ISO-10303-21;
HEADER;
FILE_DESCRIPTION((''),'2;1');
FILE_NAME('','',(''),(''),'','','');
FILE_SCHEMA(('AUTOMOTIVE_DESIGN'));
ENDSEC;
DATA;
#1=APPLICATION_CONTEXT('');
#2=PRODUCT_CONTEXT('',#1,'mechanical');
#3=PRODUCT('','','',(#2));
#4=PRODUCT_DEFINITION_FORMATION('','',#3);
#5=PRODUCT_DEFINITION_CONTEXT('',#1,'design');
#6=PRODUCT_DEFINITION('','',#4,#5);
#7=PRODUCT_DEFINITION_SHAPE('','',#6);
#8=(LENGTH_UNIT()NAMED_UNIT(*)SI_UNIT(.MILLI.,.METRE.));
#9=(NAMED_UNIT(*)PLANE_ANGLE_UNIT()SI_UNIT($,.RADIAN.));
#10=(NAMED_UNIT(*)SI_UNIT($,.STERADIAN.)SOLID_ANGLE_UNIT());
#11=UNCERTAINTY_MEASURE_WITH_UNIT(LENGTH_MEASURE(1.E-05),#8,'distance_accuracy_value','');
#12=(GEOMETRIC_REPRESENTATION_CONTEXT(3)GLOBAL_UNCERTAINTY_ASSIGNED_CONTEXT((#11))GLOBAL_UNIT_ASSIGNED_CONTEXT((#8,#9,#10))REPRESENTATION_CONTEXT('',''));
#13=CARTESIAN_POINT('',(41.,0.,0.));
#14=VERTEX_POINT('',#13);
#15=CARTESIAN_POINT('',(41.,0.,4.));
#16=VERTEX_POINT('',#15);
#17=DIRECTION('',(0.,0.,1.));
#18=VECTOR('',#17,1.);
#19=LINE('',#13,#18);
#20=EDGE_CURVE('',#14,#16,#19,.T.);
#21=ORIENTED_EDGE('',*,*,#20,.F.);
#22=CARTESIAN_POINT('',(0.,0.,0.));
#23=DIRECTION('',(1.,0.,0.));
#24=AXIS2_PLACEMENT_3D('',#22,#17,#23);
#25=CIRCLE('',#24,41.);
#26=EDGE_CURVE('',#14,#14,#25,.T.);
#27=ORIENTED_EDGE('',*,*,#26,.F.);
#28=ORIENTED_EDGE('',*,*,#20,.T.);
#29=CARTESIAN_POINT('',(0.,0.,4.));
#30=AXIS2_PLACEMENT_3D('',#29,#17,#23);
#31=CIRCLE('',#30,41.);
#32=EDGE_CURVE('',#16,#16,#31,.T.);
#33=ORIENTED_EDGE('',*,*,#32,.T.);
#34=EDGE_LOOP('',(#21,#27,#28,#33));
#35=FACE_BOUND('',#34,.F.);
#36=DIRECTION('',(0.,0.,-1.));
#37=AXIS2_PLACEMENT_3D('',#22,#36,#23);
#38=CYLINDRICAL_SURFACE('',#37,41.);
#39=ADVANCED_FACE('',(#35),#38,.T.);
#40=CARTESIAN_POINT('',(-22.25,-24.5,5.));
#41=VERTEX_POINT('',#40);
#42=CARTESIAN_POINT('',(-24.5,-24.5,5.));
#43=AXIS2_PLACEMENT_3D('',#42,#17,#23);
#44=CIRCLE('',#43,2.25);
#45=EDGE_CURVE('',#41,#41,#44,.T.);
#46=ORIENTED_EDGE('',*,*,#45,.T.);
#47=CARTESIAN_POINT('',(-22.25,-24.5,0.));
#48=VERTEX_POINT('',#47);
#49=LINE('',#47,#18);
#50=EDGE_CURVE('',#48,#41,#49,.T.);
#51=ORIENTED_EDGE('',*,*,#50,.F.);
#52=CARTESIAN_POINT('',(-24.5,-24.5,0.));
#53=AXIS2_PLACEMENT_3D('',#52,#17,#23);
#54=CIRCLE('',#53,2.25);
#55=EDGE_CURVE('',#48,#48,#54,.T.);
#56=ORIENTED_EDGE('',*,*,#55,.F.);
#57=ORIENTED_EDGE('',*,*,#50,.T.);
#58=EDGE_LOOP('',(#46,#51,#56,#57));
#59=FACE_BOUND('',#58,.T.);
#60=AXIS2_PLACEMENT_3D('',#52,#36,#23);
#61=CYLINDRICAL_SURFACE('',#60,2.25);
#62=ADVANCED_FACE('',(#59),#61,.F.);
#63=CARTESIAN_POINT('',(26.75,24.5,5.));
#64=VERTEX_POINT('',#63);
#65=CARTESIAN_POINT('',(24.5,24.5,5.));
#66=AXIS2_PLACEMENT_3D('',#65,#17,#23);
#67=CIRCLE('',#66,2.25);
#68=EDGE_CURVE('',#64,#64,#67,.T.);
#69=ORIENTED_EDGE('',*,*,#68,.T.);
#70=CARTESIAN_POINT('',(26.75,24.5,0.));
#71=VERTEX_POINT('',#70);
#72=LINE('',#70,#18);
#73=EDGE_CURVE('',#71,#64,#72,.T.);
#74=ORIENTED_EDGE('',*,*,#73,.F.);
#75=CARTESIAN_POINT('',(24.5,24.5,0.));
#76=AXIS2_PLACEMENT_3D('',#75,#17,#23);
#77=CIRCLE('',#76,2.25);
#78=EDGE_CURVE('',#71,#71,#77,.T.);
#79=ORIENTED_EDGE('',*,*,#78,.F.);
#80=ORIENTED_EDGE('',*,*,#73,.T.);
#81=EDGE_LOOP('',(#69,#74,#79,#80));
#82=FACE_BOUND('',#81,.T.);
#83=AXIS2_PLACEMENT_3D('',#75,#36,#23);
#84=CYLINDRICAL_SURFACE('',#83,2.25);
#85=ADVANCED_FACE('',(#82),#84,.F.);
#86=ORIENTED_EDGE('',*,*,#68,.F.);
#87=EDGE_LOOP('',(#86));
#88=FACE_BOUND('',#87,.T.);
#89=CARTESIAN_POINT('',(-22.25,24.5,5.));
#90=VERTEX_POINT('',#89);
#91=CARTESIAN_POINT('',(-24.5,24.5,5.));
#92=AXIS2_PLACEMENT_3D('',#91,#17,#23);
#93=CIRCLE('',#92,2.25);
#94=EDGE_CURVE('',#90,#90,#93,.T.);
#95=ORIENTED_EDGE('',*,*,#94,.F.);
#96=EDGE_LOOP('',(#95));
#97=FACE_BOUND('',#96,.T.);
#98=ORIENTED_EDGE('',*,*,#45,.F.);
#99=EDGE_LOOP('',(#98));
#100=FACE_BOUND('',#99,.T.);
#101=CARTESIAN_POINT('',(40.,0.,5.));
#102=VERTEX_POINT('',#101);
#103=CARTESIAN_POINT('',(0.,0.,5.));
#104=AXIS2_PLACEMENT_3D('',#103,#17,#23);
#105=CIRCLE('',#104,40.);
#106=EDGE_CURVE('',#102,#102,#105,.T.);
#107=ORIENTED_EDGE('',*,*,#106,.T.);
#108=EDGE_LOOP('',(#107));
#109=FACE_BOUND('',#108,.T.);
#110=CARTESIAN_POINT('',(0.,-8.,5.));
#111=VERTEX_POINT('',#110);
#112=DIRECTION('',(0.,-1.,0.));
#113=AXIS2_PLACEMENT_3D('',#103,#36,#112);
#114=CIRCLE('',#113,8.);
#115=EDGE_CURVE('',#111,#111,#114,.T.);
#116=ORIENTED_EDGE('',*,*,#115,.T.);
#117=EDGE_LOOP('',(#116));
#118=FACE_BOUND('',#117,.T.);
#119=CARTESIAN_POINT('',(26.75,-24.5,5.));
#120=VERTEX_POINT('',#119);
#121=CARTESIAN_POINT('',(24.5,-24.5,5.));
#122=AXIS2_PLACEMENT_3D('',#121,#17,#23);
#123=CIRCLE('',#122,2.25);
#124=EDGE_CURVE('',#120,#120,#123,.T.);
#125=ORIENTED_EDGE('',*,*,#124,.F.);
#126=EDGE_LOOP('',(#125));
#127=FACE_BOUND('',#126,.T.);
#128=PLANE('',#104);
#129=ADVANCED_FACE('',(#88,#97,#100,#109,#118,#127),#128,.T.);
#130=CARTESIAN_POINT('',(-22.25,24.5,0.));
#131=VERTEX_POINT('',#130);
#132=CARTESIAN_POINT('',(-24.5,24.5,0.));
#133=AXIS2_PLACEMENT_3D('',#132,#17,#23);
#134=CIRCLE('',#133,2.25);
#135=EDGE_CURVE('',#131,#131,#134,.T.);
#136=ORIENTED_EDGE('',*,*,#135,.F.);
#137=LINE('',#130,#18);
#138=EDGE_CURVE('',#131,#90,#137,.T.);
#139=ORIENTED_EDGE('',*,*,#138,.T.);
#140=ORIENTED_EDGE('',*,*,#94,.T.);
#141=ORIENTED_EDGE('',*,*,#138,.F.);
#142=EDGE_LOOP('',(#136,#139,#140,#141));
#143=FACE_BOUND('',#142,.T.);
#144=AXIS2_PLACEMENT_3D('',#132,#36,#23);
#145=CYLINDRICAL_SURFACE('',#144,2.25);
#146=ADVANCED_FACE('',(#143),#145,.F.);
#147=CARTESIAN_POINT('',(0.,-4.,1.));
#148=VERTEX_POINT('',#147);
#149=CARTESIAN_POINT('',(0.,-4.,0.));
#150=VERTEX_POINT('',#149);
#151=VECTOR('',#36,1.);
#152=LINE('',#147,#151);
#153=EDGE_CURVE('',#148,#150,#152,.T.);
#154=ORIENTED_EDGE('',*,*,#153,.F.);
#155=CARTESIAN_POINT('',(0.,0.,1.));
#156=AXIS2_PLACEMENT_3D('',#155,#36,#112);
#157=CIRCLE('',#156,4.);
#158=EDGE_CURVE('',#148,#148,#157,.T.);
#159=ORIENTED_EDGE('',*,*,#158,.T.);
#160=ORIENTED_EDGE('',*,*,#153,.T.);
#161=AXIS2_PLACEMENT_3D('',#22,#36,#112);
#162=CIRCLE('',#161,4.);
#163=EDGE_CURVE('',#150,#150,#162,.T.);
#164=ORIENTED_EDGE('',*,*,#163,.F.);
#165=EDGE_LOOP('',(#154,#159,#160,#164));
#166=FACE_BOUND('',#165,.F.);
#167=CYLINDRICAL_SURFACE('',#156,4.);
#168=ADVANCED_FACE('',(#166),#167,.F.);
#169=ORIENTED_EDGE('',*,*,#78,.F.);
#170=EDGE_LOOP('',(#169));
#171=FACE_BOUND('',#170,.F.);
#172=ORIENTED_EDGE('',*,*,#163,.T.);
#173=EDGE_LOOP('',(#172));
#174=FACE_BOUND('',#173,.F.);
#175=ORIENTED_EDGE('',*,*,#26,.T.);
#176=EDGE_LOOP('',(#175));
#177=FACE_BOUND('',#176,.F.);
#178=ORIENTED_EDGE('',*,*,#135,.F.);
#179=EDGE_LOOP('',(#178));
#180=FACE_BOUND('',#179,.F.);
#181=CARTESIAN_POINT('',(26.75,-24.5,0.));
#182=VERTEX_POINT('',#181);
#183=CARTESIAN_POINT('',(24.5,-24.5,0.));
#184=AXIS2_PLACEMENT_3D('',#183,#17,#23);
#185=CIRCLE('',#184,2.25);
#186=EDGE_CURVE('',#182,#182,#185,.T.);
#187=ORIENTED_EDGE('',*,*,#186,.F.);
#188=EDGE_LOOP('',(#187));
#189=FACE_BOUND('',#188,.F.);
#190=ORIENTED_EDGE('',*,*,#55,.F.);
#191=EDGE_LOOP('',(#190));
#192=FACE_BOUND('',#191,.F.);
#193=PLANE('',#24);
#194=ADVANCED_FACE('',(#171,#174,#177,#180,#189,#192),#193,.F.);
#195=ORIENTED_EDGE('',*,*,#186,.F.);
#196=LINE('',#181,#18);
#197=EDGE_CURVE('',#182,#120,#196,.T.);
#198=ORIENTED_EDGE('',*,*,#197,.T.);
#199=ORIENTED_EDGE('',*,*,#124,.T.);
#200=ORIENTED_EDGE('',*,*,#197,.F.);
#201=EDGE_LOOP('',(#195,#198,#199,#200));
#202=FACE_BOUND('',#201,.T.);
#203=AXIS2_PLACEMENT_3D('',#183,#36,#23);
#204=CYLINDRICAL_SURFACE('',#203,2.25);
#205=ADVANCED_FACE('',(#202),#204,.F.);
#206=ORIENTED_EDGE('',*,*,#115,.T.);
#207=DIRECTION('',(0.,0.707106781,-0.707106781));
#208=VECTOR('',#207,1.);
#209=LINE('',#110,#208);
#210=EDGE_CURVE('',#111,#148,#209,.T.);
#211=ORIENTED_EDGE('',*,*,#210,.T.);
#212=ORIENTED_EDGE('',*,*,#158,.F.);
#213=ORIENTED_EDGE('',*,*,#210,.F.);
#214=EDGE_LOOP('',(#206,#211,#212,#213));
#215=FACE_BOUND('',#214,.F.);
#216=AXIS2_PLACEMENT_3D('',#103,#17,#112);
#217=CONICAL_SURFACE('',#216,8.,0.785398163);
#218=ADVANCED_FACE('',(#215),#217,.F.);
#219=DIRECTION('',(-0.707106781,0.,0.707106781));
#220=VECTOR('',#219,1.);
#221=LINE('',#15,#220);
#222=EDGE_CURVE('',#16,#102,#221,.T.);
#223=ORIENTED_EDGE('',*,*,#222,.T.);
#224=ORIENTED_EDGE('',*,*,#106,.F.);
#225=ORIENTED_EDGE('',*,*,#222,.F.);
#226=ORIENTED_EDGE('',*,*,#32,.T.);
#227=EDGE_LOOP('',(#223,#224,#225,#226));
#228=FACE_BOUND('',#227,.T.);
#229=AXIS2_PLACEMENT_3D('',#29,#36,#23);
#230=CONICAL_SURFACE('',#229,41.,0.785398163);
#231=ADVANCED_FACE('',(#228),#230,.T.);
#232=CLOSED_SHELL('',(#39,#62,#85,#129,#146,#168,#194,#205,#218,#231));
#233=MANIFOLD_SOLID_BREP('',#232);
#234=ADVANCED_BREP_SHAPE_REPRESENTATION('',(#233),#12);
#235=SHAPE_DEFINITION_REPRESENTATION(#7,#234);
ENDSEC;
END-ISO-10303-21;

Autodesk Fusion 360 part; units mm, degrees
sketch "Skizze1" plane through (0, 0, 0) normal (0, 0, 1) x (1, 0, 0)
  circle A0 centre (0, 0) radius 41
  circle A1 centre (24.5, 24.5) radius 2.25
  circle A2 centre (24.5, -24.5) radius 2.25
  circle A3 centre (-24.5, -24.5) radius 2.25
  circle A4 centre (-24.5, 24.5) radius 2.25
  dimension "d1" = 82
  dimension "d4" = 49
  dimension "d5" = 49
  dimension "d6" = 4.5
  dimension "d7" = 4.5
  dimension "d8" = 4.5
  dimension "d9" = 4.5
extrude "Extrusion1" add sketch "Skizze1" along normal blind 5
chamfer "Fase1" distance 1 angle 45 1 edges at (-38.2254, -14.8262, 5)
sketch "Skizze2" plane through (0, 0, 5) normal (0, 0, 1) x (-1, 0, 0)
  circle A0 centre (-24.5, -24.5) radius 2.25
  circle A1 centre (24.5, 24.5) radius 2.25
  circle A2 centre (-24.5, 24.5) radius 2.25
  circle A3 centre (24.5, -24.5) radius 2.25
  circle A4 centre (0, 0) radius 40
hole "Bohrung1" at (0, 0, 5) direction (0, 0, -1) diameter 8 depth 5 tip angle 118 countersink diameter 16 countersink angle 90
